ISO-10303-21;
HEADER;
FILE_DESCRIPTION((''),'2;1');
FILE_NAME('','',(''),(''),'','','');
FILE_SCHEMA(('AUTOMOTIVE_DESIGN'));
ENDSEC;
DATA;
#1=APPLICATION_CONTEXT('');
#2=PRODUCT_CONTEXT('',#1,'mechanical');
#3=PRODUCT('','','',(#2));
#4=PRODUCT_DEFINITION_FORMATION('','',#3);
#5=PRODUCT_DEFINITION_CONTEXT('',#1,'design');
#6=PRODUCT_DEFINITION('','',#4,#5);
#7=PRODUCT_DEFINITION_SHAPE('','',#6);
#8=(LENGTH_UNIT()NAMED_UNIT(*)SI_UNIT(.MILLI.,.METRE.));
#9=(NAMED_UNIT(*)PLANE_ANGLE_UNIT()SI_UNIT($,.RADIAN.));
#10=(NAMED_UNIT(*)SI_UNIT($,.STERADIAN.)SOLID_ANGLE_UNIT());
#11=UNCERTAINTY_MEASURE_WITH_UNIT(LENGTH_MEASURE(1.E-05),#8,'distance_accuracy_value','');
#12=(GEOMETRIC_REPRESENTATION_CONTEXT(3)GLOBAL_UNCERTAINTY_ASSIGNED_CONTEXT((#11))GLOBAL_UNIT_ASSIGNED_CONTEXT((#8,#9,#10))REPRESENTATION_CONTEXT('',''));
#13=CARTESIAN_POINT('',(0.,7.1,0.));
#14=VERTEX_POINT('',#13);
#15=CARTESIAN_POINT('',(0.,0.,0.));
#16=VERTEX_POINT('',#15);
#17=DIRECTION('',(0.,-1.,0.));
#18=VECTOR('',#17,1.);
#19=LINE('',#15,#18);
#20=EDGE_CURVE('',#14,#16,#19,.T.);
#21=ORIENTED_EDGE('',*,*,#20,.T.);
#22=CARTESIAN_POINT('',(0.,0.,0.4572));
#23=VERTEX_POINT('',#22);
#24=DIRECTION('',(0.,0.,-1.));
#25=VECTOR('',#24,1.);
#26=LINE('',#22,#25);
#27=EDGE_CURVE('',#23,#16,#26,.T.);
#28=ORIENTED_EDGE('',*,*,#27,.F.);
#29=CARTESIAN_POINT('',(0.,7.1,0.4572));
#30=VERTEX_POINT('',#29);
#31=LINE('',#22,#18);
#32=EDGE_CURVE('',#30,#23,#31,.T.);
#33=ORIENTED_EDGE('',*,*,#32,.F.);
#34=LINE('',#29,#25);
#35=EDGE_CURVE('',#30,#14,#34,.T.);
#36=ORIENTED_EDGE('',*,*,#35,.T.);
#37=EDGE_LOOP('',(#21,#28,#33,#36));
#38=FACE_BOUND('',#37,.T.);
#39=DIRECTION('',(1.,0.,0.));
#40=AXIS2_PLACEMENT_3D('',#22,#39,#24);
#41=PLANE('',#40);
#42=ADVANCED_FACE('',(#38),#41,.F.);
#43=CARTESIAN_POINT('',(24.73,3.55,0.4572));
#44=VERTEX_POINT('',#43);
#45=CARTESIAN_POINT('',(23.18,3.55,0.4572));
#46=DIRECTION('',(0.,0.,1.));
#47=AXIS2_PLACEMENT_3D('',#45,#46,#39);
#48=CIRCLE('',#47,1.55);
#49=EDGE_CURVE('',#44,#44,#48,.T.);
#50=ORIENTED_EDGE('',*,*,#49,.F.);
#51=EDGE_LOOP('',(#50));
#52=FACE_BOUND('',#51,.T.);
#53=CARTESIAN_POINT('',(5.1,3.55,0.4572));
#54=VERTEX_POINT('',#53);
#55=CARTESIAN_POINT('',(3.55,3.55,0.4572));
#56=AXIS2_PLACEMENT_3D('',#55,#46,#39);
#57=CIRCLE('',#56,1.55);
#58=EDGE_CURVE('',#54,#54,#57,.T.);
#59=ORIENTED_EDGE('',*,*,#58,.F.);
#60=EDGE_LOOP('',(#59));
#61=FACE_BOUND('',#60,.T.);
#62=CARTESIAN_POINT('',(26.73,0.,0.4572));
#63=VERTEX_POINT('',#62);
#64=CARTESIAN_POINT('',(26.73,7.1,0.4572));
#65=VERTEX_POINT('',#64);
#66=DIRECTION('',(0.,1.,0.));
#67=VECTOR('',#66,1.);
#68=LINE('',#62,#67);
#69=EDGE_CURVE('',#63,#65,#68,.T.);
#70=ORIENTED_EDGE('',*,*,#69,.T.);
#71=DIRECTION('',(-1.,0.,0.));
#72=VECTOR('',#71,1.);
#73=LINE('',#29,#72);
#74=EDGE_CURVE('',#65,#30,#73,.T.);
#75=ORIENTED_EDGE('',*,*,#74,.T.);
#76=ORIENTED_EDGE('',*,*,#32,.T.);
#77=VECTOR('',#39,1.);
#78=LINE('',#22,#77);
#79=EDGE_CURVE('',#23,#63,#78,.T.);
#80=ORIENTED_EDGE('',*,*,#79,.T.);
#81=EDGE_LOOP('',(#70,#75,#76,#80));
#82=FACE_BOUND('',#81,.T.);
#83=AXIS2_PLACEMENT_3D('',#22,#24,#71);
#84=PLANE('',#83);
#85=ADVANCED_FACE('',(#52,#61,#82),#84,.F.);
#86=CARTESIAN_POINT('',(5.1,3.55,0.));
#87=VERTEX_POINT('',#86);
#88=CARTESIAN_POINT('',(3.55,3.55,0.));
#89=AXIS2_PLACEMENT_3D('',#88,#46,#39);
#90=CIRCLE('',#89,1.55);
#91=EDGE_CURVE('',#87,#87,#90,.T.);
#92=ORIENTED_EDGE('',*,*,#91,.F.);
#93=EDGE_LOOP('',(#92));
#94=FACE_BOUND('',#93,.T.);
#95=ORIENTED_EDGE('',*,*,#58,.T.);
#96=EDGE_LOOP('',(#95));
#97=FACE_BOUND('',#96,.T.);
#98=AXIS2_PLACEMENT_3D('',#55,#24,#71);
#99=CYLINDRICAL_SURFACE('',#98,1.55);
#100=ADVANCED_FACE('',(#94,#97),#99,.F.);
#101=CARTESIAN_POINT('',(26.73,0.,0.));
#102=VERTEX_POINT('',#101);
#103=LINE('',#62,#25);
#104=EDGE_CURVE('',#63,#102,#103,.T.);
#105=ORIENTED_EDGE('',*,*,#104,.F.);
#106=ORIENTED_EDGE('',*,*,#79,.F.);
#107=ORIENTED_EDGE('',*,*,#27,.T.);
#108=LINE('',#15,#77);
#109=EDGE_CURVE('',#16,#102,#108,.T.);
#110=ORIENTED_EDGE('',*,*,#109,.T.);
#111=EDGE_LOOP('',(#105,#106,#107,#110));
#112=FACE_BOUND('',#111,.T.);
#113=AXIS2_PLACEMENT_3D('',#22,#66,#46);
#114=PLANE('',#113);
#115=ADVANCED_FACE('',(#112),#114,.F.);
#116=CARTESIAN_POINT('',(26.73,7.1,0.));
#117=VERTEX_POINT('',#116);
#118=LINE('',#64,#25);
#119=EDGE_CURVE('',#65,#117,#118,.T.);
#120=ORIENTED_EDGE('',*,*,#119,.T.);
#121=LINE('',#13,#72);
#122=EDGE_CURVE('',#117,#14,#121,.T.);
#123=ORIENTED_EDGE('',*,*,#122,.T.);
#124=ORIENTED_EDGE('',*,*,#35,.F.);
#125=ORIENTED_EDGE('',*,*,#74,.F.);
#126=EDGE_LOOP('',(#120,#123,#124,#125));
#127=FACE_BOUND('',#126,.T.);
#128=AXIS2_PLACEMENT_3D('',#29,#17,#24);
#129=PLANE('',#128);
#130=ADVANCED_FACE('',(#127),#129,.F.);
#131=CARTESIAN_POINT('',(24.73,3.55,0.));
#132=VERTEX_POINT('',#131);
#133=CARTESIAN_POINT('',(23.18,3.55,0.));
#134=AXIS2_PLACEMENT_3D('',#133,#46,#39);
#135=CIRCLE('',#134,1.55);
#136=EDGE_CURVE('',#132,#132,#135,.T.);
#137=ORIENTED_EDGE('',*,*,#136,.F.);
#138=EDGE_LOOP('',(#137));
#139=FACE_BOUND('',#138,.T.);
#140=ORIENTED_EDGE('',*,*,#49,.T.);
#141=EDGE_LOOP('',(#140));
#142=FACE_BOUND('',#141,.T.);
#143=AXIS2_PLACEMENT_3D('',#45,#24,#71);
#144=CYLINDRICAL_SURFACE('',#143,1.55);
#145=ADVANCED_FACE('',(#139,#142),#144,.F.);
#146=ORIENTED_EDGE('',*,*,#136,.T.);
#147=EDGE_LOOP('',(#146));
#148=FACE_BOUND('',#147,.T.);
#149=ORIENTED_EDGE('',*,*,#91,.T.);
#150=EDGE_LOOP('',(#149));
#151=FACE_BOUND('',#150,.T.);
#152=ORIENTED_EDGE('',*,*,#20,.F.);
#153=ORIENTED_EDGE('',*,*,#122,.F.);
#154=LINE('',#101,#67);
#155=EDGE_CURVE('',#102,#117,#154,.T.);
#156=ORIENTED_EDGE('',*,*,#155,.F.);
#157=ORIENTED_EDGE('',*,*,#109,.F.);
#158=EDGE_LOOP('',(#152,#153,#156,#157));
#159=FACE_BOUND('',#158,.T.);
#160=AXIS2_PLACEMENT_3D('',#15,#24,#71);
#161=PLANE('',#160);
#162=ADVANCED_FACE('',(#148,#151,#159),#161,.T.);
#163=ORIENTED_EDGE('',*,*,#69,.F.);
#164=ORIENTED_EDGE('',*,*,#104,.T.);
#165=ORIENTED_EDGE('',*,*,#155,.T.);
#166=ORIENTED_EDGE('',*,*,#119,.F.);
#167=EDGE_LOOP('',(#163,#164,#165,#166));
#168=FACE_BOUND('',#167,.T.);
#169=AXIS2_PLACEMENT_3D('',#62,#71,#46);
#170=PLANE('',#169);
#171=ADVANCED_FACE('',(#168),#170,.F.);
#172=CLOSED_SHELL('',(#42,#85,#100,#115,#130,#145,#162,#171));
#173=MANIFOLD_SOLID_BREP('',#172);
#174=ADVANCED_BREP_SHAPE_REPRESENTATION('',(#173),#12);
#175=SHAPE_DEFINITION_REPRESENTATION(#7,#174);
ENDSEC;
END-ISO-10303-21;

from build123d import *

# Parameters (mm, degrees)
SKETCH1_W           = 26.73
SKETCH1_H           = 7.1
SKETCH1_R           = 1.55
BOSS_EXTRUDE1_DEPTH = 0.4572


with BuildPart() as part:
    # Sketch1 → Boss-Extrude1 (new body)
    with BuildSketch(Plane.XY):
        with Locations((13.365, 3.55)):
            Rectangle(SKETCH1_W, SKETCH1_H)
        with Locations((3.55, 3.55)):
            Circle(SKETCH1_R, mode=Mode.SUBTRACT)
        with Locations((23.18, 3.55)):
            Circle(SKETCH1_R, mode=Mode.SUBTRACT)
    extrude(amount=BOSS_EXTRUDE1_DEPTH)


solid = part.part
